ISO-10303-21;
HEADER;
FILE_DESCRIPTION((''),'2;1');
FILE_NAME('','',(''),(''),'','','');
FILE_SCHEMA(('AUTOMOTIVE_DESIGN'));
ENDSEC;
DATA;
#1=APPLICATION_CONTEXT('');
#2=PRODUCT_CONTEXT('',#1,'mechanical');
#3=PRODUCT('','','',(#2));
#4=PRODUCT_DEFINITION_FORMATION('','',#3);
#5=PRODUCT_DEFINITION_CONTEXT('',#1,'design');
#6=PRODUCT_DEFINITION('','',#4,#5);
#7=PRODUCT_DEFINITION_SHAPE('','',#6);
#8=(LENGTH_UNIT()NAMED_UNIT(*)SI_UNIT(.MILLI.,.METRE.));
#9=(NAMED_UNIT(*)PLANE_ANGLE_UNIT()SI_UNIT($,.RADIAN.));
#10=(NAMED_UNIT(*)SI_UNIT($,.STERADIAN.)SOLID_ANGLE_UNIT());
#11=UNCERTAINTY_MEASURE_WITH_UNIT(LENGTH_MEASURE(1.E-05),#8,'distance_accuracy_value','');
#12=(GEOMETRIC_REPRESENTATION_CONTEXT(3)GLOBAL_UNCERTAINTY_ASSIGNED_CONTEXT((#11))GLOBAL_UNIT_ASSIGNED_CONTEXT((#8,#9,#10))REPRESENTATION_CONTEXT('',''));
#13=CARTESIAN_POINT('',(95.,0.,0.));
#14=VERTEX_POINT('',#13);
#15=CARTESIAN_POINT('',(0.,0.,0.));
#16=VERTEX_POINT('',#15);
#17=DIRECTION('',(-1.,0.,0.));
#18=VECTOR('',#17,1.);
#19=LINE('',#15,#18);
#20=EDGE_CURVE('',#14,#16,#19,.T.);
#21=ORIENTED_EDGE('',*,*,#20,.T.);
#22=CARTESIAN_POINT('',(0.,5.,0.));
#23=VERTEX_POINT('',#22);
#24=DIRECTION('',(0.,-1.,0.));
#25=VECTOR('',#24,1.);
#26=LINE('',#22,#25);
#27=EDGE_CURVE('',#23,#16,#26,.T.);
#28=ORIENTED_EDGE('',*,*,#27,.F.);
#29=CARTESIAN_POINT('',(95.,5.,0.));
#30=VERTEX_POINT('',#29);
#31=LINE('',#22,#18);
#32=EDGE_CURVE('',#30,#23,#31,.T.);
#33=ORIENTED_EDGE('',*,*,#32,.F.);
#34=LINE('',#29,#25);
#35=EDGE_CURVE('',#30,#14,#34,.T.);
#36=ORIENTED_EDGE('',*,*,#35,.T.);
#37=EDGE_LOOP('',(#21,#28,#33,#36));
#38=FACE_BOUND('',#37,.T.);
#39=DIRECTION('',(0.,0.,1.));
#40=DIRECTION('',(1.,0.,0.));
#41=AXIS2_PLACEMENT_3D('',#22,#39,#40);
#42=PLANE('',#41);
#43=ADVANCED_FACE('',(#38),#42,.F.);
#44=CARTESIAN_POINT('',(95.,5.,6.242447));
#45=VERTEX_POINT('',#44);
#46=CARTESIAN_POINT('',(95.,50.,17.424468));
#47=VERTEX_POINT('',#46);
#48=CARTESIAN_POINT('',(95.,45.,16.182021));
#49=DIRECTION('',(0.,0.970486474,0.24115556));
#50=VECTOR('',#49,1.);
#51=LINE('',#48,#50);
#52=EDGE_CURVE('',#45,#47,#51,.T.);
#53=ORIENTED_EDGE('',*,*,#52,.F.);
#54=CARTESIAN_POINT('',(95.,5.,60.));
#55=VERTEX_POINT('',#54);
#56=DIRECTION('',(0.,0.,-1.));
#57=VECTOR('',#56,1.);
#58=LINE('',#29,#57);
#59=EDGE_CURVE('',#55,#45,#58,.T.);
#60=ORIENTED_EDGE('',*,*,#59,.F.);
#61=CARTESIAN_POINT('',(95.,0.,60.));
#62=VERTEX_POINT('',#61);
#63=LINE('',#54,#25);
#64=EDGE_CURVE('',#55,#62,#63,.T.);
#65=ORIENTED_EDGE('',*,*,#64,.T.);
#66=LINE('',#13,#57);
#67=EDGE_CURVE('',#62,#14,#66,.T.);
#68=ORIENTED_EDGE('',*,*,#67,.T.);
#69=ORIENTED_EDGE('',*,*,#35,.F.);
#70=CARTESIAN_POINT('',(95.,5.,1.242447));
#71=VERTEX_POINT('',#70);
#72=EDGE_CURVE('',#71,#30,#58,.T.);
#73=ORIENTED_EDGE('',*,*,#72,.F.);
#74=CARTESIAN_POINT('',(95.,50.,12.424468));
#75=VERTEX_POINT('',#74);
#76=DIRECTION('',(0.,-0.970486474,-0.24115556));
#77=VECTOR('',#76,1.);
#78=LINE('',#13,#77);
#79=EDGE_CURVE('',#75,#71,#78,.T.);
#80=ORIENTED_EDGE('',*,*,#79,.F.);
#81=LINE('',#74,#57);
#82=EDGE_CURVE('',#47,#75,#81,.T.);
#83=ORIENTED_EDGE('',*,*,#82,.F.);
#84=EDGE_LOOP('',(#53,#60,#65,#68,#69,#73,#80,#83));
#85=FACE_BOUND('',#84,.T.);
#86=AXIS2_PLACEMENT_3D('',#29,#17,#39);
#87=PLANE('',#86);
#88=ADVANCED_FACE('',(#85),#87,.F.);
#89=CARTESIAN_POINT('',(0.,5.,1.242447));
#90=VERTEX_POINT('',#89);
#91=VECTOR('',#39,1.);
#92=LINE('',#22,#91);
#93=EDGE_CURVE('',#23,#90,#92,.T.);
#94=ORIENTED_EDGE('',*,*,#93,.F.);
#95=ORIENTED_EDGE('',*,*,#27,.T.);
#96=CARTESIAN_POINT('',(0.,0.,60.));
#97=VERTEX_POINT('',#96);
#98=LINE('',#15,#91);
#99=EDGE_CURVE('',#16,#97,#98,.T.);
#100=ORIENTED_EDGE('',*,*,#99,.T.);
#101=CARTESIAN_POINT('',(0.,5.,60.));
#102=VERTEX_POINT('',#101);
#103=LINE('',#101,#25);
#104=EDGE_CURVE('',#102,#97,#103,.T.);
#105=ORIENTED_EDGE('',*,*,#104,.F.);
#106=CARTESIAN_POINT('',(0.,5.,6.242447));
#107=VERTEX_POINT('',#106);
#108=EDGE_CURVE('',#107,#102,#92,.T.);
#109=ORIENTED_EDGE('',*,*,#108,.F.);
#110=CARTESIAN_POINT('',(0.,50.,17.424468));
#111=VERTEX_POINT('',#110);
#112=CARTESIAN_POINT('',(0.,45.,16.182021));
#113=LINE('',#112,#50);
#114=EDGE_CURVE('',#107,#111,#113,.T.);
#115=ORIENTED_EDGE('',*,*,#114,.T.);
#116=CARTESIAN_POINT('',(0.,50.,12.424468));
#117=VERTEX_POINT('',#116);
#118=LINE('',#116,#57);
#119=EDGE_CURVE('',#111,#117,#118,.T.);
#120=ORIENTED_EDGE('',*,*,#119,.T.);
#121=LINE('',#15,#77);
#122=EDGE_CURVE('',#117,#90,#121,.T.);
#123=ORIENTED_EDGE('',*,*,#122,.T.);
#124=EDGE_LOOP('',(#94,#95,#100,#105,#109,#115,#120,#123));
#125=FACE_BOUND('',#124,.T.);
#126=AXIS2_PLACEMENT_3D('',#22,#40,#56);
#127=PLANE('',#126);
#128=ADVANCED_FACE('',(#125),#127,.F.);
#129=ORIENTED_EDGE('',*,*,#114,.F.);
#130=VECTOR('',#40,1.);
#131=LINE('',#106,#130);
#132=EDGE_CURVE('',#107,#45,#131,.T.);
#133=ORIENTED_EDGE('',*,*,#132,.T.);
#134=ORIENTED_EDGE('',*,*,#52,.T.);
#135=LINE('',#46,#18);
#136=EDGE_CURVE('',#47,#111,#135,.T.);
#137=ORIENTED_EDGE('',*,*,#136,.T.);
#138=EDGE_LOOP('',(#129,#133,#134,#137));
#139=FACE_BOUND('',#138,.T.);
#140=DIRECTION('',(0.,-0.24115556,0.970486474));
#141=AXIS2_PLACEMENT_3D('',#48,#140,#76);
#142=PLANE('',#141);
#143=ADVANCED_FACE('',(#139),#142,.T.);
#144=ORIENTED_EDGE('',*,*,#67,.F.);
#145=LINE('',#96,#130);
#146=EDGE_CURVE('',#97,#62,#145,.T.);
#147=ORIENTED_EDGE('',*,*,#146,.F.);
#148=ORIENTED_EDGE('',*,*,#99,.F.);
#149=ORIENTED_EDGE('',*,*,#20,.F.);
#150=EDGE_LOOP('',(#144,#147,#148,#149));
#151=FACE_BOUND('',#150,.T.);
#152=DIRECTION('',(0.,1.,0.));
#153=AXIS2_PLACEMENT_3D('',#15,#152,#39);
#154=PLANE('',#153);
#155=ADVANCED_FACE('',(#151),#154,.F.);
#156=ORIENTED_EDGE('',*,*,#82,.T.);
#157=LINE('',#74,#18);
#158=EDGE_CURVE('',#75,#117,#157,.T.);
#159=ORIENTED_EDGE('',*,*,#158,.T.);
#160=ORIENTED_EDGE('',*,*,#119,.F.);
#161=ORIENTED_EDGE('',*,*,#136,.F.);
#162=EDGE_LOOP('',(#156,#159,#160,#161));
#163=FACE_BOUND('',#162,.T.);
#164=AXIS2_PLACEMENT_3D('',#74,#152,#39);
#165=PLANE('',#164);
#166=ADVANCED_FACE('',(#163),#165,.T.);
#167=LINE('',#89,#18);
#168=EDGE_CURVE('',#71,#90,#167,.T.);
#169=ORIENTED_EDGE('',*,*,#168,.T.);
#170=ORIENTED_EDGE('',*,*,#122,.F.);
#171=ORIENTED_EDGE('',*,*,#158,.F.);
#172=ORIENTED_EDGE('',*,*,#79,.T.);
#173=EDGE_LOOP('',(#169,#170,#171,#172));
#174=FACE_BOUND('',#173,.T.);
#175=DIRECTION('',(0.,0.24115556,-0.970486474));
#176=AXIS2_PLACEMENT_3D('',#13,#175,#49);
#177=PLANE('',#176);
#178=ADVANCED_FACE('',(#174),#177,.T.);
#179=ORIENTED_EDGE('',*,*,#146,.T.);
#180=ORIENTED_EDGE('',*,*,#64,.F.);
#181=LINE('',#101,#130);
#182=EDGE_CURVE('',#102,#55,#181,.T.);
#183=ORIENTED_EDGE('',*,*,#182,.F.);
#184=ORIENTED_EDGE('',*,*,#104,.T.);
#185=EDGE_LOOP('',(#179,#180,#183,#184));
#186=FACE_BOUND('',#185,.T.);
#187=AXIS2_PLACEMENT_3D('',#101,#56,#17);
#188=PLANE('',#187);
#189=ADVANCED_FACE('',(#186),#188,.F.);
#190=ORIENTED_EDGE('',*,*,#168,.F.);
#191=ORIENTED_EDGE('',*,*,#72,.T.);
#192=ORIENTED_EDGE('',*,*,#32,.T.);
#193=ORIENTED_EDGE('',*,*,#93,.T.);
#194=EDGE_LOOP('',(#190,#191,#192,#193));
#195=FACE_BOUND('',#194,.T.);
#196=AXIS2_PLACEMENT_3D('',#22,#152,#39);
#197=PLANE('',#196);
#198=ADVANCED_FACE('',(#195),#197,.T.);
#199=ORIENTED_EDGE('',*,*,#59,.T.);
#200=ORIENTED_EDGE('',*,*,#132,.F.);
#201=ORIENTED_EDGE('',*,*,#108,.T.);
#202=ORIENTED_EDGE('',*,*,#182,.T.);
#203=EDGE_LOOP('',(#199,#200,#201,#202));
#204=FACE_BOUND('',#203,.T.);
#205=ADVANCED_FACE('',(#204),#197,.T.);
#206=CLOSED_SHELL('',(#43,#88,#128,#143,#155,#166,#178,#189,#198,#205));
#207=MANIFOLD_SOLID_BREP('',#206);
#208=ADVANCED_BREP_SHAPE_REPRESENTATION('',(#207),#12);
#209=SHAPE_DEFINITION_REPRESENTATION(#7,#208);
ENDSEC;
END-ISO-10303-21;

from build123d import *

# Parameters (mm, degrees)
SKETCH1_W           = 95
SKETCH1_H           = 60
BOSS_EXTRUDE1_DEPTH = 5
BOSS_EXTRUDE3_DEPTH = 95


with BuildPart() as part:
    # Sketch1 → Boss-Extrude1 (new body)
    with BuildSketch(Plane(origin=(0, 0, 0), x_dir=(1, 0, 0), z_dir=(0, 1, 0))):
        with Locations((47.5, -30)):
            Rectangle(SKETCH1_W, SKETCH1_H)
    extrude(amount=BOSS_EXTRUDE1_DEPTH)

    # Sketch6 → Boss-Extrude3 (add)
    with BuildSketch(Plane.ZY):
        Polygon((0, 0), (12.424467848, 50), (17.424467848, 50), (16.182021063, 45), (5, 0), align=None)
    extrude(amount=-BOSS_EXTRUDE3_DEPTH)


solid = part.part
